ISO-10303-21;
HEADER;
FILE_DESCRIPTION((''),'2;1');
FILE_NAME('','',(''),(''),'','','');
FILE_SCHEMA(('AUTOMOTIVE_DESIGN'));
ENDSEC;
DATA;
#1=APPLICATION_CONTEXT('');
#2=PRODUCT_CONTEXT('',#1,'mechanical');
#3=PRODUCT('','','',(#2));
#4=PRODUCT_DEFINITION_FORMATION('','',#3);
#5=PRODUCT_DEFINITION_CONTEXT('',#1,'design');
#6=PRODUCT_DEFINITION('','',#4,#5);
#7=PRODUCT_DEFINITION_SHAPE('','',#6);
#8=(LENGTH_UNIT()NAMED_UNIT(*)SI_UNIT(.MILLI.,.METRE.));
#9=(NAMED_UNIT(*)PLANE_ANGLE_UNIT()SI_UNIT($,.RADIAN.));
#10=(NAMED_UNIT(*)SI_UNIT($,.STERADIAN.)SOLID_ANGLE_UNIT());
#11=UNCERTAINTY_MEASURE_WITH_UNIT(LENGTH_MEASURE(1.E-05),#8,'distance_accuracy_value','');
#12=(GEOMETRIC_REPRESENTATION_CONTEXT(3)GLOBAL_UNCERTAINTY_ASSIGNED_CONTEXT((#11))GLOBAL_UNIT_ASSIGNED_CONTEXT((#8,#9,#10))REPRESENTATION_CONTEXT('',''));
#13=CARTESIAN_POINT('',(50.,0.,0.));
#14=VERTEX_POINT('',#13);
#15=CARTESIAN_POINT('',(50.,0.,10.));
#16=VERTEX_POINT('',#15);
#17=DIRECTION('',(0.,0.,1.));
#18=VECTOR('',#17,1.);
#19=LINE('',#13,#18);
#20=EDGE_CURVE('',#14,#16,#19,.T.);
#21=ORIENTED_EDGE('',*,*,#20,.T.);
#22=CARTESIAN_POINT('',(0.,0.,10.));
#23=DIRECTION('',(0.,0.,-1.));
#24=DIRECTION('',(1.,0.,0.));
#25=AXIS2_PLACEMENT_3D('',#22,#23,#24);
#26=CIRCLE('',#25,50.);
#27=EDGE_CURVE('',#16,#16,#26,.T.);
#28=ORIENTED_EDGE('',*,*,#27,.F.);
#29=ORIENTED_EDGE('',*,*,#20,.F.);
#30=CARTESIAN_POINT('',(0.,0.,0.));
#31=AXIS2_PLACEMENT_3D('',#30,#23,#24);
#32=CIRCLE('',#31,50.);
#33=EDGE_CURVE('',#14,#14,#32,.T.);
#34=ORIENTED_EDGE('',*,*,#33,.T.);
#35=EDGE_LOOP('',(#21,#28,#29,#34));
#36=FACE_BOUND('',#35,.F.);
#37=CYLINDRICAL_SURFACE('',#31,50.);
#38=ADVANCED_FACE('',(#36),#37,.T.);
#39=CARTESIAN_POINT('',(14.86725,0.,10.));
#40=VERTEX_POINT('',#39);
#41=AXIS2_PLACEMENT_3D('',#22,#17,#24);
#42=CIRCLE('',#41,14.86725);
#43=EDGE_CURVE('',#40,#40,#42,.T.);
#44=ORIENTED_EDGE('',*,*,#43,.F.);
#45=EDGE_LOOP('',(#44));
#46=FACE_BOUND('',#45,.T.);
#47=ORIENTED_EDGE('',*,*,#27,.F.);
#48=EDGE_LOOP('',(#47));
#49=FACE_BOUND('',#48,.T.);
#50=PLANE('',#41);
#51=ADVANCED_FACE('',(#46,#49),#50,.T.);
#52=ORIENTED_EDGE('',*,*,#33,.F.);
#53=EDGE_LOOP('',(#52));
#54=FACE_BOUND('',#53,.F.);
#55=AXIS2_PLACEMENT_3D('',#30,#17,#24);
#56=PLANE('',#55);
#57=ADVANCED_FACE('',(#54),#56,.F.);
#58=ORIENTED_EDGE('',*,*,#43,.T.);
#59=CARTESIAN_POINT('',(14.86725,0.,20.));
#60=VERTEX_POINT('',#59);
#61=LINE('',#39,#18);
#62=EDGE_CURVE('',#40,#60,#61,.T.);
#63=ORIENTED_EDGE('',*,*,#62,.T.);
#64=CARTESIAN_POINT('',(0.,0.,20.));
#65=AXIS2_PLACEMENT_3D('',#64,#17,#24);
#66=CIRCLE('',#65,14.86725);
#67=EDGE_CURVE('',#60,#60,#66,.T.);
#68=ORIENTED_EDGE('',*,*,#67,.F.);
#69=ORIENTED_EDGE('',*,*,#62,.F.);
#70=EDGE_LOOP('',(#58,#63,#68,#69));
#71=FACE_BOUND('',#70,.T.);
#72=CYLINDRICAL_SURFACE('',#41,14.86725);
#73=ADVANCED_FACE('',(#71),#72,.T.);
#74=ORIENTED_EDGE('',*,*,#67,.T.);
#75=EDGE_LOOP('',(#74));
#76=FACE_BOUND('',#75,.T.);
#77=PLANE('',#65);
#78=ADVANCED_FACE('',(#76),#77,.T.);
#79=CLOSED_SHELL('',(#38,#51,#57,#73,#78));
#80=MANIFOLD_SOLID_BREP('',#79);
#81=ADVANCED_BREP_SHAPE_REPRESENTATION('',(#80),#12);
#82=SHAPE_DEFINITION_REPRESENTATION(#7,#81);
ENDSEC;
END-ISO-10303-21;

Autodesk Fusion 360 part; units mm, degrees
sketch "Sketch1" plane through (0, 0, 0) normal (0, 0, 1) x (1, 0, 0)
  circle A0 centre (0, 0) radius 50
  dimension "d1" = 100
extrude "Extrude1" add sketch "Sketch1" along normal blind 10
cylinder "CylinderPrimitive1" add diameter 30 height 10 placed x (1, 0, 0) y (0, 1, 0) z (0, 0, 1) at (0, 0, 10)
thread "Thread1" "ISO Metric profile 30.0 M30x3.5 6g" major diameter 29.7345 minor diameter 25.732 pitch 3.5 angle 60 resizes the face on face at (14.9255, -1.4935, 16.6667)
